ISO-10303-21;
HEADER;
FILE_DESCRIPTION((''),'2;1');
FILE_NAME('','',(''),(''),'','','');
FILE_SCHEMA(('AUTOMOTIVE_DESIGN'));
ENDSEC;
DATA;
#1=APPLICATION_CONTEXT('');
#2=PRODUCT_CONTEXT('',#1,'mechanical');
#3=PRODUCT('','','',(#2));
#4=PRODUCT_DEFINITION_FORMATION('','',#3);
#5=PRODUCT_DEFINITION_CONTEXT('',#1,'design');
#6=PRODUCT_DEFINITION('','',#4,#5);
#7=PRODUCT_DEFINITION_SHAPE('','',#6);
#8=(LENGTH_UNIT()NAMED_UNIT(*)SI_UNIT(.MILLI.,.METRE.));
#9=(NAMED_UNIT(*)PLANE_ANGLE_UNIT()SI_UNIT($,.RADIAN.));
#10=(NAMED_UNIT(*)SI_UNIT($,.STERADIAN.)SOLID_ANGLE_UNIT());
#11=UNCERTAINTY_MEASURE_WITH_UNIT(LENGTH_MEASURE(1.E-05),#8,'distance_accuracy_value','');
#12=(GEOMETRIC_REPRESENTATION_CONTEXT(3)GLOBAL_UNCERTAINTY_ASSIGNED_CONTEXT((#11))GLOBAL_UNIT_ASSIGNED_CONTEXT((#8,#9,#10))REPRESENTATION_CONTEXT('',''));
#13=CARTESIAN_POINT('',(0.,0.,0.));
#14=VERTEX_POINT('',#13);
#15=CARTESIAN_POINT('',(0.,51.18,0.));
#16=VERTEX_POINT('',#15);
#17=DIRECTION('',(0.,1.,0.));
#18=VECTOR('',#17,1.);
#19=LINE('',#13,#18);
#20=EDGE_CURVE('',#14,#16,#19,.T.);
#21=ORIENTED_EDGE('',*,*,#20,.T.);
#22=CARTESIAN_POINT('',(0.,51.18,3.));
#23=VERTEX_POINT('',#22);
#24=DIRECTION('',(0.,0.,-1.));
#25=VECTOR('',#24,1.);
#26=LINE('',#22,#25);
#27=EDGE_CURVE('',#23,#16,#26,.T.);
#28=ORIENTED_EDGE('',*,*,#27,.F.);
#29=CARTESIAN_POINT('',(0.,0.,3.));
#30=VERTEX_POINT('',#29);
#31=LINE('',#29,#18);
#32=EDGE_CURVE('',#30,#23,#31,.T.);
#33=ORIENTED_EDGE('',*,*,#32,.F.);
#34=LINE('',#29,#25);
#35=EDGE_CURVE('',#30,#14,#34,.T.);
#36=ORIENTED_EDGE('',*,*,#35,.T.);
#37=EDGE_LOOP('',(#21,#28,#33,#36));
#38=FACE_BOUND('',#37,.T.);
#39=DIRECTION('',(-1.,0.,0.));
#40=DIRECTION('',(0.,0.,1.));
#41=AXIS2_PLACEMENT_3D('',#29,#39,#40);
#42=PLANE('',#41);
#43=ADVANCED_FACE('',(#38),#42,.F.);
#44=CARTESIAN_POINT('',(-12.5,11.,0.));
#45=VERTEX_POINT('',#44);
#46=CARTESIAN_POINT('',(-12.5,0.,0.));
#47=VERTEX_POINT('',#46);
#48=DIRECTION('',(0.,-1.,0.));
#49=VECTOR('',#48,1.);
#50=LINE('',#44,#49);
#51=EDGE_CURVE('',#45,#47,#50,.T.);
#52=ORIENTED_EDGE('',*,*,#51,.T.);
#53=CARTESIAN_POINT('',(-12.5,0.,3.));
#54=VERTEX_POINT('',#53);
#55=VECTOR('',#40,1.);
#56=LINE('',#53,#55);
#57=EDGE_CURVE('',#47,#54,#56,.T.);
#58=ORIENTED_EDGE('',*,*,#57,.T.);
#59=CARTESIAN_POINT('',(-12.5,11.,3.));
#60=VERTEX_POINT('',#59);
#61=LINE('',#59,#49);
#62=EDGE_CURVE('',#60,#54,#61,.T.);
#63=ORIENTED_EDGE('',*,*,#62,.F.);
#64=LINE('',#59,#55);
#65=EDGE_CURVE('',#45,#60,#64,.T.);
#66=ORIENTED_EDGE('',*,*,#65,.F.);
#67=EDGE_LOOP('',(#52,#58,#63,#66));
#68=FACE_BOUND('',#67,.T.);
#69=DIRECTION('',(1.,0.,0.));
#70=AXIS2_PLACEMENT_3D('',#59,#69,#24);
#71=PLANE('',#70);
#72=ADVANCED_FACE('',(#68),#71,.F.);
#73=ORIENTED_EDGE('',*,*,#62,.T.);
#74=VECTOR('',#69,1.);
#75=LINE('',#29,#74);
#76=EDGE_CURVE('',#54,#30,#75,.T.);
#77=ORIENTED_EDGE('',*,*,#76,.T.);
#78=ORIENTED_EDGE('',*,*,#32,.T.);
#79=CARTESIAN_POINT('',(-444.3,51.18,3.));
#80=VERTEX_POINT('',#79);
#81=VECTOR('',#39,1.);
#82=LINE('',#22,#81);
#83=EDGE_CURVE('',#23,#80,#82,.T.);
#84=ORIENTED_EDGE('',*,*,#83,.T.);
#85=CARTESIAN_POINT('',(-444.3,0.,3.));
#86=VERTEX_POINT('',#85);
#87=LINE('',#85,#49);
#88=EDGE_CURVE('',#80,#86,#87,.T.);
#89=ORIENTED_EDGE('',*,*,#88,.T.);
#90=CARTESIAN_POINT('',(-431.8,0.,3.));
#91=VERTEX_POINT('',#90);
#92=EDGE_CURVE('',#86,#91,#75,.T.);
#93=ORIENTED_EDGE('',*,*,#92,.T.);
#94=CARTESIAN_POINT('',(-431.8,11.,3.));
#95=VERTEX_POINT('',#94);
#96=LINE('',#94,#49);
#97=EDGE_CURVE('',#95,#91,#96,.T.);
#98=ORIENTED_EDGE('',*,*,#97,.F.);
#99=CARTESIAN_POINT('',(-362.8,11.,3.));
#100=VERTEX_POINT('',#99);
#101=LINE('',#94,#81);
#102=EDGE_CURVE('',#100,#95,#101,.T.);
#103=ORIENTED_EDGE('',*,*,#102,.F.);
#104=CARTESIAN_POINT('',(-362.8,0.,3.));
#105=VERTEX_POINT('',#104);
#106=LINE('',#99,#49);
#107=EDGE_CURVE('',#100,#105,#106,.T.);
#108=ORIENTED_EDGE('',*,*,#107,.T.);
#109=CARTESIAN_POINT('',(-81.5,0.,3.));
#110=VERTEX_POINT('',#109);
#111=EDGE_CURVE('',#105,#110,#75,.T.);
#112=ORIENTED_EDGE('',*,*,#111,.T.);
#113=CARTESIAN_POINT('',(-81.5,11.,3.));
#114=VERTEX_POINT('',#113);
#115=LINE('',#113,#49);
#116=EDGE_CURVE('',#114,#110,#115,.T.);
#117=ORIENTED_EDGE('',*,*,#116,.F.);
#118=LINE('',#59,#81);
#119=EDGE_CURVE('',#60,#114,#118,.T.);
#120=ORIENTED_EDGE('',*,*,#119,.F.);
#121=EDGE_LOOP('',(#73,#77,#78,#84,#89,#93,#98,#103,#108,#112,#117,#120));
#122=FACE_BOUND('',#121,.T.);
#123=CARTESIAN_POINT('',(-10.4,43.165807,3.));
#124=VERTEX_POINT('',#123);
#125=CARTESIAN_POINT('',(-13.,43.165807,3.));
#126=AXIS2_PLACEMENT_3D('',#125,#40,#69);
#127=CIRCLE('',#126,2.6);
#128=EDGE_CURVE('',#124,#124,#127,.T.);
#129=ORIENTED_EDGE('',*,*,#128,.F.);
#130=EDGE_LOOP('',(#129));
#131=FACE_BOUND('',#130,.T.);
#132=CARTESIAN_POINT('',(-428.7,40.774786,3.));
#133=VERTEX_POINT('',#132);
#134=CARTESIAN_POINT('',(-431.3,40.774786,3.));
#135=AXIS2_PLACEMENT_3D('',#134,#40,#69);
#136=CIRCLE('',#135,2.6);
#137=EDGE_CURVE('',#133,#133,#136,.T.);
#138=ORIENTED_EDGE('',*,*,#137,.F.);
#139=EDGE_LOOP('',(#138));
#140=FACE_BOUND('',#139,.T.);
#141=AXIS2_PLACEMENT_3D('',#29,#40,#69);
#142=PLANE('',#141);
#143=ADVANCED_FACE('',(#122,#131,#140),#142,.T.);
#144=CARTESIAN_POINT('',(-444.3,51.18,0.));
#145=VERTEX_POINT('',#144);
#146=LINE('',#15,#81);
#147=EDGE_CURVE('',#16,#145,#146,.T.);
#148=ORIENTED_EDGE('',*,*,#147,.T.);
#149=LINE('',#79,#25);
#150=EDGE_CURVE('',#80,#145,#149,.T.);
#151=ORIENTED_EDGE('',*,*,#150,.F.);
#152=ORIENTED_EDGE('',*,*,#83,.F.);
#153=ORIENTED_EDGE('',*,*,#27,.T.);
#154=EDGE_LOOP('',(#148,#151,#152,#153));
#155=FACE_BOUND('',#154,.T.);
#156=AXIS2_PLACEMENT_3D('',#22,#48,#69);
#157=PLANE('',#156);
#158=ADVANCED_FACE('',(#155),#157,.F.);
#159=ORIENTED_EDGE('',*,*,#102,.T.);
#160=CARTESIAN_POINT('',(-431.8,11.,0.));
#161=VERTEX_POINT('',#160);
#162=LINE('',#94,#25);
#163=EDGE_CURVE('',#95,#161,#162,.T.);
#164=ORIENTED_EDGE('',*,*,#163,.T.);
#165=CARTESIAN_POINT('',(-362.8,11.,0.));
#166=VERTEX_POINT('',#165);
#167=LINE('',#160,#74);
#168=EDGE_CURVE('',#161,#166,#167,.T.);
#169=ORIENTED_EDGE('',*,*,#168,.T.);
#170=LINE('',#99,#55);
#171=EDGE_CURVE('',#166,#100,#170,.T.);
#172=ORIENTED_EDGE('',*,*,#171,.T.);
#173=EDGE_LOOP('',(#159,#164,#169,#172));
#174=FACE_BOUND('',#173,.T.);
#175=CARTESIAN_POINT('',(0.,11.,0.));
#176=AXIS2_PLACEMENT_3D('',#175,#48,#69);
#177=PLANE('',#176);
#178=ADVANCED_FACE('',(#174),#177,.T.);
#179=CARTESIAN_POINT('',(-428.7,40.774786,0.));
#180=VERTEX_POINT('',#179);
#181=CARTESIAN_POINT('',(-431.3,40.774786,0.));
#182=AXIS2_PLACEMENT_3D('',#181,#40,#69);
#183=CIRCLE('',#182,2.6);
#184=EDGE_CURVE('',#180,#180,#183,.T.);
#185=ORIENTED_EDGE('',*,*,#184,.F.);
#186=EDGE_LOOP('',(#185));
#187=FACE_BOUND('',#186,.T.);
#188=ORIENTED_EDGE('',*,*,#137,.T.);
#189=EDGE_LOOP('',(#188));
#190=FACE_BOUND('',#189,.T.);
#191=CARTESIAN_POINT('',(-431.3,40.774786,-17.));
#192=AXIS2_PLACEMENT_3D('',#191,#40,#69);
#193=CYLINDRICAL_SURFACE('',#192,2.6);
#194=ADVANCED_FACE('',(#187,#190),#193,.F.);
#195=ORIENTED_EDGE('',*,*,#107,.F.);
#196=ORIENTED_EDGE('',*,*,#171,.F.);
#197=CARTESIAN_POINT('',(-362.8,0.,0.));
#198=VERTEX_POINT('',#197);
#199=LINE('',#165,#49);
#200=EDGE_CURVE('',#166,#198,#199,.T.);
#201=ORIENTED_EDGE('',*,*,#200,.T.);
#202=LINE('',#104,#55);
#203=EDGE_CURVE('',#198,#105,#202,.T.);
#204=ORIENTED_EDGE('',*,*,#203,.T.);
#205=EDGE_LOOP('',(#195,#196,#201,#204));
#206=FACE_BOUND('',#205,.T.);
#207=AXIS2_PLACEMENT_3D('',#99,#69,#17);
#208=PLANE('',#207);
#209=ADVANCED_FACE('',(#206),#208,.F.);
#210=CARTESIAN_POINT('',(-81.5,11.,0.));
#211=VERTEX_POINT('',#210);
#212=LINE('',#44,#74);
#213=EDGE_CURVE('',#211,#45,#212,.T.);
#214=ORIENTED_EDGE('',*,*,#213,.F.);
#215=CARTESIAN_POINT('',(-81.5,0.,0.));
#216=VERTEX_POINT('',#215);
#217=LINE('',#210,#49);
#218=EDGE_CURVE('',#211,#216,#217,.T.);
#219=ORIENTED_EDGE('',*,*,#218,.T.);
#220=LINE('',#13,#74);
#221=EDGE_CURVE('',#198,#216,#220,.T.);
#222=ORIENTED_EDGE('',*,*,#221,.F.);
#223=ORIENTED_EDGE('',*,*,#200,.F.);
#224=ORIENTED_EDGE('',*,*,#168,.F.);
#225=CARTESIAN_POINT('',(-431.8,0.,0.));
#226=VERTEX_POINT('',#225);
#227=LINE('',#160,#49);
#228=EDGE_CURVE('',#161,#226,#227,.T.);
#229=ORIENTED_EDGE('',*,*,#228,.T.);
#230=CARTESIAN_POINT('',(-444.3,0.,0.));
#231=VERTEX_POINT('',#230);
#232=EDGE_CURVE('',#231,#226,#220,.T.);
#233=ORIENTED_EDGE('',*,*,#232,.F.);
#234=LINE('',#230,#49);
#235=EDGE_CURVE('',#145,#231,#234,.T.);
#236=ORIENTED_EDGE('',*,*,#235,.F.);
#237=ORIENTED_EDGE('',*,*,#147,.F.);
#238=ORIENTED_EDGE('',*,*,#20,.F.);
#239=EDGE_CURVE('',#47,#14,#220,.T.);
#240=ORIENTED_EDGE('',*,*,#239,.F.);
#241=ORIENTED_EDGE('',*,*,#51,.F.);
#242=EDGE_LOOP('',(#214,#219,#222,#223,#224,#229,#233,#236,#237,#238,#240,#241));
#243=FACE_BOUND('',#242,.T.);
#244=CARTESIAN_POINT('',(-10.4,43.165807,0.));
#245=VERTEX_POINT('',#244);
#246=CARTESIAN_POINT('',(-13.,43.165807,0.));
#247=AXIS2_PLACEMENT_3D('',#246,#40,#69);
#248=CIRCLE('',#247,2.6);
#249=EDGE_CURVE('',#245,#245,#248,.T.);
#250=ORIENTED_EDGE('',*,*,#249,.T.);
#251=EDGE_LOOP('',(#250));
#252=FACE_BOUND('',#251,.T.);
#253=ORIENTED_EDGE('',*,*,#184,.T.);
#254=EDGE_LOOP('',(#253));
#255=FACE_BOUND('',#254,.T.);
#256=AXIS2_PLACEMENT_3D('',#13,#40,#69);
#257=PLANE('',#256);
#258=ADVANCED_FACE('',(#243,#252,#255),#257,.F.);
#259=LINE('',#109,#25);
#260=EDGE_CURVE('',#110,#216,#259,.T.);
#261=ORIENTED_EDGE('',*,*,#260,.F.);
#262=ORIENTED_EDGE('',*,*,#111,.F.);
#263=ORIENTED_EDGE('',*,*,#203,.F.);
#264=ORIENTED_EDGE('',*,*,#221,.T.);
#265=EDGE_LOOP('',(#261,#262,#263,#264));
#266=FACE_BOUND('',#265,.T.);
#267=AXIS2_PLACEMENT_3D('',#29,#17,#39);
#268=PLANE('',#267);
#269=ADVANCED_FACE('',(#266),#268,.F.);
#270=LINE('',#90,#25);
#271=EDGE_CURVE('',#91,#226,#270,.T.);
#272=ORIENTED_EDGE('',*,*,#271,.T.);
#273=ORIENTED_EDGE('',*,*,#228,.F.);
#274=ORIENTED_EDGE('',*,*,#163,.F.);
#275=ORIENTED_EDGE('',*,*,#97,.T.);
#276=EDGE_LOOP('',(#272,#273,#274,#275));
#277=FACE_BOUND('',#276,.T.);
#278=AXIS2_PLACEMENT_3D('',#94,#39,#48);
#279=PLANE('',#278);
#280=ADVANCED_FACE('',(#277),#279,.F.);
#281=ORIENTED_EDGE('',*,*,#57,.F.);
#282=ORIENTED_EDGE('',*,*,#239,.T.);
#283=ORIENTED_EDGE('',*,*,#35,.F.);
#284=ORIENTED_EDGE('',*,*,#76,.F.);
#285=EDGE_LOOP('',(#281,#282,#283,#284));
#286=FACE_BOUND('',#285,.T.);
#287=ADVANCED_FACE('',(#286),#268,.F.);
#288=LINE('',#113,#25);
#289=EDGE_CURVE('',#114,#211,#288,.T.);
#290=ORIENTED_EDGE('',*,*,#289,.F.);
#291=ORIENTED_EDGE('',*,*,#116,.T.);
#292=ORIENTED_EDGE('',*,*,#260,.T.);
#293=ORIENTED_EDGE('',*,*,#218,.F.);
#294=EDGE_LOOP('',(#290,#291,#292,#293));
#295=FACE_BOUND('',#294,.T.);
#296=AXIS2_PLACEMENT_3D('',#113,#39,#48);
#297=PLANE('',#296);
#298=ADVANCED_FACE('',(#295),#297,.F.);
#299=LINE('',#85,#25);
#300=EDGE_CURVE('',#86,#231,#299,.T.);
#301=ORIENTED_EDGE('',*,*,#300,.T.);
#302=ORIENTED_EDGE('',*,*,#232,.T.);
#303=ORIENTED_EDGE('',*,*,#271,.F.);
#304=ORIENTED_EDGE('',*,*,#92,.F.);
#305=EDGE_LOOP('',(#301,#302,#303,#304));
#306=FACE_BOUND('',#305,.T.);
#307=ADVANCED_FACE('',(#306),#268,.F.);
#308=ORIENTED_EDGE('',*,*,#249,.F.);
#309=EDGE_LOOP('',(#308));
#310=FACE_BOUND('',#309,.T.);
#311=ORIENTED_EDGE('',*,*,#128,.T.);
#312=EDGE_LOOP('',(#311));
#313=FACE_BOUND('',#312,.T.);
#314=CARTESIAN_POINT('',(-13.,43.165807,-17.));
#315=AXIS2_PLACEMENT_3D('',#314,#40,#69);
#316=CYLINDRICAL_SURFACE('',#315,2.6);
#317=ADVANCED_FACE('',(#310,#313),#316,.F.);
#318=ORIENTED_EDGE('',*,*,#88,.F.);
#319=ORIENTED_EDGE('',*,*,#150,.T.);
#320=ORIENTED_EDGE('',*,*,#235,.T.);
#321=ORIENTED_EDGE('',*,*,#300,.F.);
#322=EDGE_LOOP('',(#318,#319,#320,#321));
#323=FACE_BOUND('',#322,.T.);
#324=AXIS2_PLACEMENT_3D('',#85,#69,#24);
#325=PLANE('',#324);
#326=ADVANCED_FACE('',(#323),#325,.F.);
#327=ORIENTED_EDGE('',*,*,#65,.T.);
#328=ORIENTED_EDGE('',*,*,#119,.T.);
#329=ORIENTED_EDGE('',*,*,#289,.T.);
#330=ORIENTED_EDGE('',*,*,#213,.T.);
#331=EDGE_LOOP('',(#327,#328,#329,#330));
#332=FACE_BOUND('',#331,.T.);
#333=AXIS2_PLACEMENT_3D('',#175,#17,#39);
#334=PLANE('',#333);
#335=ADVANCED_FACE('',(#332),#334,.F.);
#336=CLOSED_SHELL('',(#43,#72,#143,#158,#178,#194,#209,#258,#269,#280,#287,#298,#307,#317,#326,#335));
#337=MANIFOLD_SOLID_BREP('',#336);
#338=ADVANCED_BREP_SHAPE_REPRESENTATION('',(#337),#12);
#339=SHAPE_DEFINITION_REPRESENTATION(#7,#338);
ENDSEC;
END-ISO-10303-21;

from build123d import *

# Parameters (mm, degrees)
ESQUISSE1_W             = 444.3
ESQUISSE1_H             = 51.18
BOSS_EXTRU_1_DEPTH      = 3
ESQUISSE2_R             = 2.6
ENL_V_MAT_EXTRU_1_DEPTH = 20
ESQUISSE3_W             = 69
ESQUISSE3_H             = 3
ENL_V_MAT_EXTRU_2_DEPTH = 11


with BuildPart() as part:
    # Esquisse1 → Boss.-Extru.1 (new body)
    with BuildSketch(Plane.XY):
        with Locations((-222.15, 25.59)):
            Rectangle(ESQUISSE1_W, ESQUISSE1_H)
    extrude(amount=BOSS_EXTRU_1_DEPTH)

    # Esquisse2 → Enlèv. mat.-Extru.1 (cut)
    with BuildSketch(Plane.XY.offset(3)):
        with Locations((-13, 43.165806832)):
            Circle(ESQUISSE2_R)
        with Locations((-431.3, 40.774785784)):
            Circle(ESQUISSE2_R)
    extrude(amount=-ENL_V_MAT_EXTRU_1_DEPTH, mode=Mode.SUBTRACT)

    # Esquisse3 → Enlèv. mat.-Extru.2 (cut)
    with BuildSketch(Plane.XZ):
        with Locations((-397.3, 1.5)):
            Rectangle(ESQUISSE3_W, ESQUISSE3_H)
        with Locations((-47, 1.5)):
            Rectangle(ESQUISSE3_W, ESQUISSE3_H)
    extrude(amount=-ENL_V_MAT_EXTRU_2_DEPTH, mode=Mode.SUBTRACT)


solid = part.part
